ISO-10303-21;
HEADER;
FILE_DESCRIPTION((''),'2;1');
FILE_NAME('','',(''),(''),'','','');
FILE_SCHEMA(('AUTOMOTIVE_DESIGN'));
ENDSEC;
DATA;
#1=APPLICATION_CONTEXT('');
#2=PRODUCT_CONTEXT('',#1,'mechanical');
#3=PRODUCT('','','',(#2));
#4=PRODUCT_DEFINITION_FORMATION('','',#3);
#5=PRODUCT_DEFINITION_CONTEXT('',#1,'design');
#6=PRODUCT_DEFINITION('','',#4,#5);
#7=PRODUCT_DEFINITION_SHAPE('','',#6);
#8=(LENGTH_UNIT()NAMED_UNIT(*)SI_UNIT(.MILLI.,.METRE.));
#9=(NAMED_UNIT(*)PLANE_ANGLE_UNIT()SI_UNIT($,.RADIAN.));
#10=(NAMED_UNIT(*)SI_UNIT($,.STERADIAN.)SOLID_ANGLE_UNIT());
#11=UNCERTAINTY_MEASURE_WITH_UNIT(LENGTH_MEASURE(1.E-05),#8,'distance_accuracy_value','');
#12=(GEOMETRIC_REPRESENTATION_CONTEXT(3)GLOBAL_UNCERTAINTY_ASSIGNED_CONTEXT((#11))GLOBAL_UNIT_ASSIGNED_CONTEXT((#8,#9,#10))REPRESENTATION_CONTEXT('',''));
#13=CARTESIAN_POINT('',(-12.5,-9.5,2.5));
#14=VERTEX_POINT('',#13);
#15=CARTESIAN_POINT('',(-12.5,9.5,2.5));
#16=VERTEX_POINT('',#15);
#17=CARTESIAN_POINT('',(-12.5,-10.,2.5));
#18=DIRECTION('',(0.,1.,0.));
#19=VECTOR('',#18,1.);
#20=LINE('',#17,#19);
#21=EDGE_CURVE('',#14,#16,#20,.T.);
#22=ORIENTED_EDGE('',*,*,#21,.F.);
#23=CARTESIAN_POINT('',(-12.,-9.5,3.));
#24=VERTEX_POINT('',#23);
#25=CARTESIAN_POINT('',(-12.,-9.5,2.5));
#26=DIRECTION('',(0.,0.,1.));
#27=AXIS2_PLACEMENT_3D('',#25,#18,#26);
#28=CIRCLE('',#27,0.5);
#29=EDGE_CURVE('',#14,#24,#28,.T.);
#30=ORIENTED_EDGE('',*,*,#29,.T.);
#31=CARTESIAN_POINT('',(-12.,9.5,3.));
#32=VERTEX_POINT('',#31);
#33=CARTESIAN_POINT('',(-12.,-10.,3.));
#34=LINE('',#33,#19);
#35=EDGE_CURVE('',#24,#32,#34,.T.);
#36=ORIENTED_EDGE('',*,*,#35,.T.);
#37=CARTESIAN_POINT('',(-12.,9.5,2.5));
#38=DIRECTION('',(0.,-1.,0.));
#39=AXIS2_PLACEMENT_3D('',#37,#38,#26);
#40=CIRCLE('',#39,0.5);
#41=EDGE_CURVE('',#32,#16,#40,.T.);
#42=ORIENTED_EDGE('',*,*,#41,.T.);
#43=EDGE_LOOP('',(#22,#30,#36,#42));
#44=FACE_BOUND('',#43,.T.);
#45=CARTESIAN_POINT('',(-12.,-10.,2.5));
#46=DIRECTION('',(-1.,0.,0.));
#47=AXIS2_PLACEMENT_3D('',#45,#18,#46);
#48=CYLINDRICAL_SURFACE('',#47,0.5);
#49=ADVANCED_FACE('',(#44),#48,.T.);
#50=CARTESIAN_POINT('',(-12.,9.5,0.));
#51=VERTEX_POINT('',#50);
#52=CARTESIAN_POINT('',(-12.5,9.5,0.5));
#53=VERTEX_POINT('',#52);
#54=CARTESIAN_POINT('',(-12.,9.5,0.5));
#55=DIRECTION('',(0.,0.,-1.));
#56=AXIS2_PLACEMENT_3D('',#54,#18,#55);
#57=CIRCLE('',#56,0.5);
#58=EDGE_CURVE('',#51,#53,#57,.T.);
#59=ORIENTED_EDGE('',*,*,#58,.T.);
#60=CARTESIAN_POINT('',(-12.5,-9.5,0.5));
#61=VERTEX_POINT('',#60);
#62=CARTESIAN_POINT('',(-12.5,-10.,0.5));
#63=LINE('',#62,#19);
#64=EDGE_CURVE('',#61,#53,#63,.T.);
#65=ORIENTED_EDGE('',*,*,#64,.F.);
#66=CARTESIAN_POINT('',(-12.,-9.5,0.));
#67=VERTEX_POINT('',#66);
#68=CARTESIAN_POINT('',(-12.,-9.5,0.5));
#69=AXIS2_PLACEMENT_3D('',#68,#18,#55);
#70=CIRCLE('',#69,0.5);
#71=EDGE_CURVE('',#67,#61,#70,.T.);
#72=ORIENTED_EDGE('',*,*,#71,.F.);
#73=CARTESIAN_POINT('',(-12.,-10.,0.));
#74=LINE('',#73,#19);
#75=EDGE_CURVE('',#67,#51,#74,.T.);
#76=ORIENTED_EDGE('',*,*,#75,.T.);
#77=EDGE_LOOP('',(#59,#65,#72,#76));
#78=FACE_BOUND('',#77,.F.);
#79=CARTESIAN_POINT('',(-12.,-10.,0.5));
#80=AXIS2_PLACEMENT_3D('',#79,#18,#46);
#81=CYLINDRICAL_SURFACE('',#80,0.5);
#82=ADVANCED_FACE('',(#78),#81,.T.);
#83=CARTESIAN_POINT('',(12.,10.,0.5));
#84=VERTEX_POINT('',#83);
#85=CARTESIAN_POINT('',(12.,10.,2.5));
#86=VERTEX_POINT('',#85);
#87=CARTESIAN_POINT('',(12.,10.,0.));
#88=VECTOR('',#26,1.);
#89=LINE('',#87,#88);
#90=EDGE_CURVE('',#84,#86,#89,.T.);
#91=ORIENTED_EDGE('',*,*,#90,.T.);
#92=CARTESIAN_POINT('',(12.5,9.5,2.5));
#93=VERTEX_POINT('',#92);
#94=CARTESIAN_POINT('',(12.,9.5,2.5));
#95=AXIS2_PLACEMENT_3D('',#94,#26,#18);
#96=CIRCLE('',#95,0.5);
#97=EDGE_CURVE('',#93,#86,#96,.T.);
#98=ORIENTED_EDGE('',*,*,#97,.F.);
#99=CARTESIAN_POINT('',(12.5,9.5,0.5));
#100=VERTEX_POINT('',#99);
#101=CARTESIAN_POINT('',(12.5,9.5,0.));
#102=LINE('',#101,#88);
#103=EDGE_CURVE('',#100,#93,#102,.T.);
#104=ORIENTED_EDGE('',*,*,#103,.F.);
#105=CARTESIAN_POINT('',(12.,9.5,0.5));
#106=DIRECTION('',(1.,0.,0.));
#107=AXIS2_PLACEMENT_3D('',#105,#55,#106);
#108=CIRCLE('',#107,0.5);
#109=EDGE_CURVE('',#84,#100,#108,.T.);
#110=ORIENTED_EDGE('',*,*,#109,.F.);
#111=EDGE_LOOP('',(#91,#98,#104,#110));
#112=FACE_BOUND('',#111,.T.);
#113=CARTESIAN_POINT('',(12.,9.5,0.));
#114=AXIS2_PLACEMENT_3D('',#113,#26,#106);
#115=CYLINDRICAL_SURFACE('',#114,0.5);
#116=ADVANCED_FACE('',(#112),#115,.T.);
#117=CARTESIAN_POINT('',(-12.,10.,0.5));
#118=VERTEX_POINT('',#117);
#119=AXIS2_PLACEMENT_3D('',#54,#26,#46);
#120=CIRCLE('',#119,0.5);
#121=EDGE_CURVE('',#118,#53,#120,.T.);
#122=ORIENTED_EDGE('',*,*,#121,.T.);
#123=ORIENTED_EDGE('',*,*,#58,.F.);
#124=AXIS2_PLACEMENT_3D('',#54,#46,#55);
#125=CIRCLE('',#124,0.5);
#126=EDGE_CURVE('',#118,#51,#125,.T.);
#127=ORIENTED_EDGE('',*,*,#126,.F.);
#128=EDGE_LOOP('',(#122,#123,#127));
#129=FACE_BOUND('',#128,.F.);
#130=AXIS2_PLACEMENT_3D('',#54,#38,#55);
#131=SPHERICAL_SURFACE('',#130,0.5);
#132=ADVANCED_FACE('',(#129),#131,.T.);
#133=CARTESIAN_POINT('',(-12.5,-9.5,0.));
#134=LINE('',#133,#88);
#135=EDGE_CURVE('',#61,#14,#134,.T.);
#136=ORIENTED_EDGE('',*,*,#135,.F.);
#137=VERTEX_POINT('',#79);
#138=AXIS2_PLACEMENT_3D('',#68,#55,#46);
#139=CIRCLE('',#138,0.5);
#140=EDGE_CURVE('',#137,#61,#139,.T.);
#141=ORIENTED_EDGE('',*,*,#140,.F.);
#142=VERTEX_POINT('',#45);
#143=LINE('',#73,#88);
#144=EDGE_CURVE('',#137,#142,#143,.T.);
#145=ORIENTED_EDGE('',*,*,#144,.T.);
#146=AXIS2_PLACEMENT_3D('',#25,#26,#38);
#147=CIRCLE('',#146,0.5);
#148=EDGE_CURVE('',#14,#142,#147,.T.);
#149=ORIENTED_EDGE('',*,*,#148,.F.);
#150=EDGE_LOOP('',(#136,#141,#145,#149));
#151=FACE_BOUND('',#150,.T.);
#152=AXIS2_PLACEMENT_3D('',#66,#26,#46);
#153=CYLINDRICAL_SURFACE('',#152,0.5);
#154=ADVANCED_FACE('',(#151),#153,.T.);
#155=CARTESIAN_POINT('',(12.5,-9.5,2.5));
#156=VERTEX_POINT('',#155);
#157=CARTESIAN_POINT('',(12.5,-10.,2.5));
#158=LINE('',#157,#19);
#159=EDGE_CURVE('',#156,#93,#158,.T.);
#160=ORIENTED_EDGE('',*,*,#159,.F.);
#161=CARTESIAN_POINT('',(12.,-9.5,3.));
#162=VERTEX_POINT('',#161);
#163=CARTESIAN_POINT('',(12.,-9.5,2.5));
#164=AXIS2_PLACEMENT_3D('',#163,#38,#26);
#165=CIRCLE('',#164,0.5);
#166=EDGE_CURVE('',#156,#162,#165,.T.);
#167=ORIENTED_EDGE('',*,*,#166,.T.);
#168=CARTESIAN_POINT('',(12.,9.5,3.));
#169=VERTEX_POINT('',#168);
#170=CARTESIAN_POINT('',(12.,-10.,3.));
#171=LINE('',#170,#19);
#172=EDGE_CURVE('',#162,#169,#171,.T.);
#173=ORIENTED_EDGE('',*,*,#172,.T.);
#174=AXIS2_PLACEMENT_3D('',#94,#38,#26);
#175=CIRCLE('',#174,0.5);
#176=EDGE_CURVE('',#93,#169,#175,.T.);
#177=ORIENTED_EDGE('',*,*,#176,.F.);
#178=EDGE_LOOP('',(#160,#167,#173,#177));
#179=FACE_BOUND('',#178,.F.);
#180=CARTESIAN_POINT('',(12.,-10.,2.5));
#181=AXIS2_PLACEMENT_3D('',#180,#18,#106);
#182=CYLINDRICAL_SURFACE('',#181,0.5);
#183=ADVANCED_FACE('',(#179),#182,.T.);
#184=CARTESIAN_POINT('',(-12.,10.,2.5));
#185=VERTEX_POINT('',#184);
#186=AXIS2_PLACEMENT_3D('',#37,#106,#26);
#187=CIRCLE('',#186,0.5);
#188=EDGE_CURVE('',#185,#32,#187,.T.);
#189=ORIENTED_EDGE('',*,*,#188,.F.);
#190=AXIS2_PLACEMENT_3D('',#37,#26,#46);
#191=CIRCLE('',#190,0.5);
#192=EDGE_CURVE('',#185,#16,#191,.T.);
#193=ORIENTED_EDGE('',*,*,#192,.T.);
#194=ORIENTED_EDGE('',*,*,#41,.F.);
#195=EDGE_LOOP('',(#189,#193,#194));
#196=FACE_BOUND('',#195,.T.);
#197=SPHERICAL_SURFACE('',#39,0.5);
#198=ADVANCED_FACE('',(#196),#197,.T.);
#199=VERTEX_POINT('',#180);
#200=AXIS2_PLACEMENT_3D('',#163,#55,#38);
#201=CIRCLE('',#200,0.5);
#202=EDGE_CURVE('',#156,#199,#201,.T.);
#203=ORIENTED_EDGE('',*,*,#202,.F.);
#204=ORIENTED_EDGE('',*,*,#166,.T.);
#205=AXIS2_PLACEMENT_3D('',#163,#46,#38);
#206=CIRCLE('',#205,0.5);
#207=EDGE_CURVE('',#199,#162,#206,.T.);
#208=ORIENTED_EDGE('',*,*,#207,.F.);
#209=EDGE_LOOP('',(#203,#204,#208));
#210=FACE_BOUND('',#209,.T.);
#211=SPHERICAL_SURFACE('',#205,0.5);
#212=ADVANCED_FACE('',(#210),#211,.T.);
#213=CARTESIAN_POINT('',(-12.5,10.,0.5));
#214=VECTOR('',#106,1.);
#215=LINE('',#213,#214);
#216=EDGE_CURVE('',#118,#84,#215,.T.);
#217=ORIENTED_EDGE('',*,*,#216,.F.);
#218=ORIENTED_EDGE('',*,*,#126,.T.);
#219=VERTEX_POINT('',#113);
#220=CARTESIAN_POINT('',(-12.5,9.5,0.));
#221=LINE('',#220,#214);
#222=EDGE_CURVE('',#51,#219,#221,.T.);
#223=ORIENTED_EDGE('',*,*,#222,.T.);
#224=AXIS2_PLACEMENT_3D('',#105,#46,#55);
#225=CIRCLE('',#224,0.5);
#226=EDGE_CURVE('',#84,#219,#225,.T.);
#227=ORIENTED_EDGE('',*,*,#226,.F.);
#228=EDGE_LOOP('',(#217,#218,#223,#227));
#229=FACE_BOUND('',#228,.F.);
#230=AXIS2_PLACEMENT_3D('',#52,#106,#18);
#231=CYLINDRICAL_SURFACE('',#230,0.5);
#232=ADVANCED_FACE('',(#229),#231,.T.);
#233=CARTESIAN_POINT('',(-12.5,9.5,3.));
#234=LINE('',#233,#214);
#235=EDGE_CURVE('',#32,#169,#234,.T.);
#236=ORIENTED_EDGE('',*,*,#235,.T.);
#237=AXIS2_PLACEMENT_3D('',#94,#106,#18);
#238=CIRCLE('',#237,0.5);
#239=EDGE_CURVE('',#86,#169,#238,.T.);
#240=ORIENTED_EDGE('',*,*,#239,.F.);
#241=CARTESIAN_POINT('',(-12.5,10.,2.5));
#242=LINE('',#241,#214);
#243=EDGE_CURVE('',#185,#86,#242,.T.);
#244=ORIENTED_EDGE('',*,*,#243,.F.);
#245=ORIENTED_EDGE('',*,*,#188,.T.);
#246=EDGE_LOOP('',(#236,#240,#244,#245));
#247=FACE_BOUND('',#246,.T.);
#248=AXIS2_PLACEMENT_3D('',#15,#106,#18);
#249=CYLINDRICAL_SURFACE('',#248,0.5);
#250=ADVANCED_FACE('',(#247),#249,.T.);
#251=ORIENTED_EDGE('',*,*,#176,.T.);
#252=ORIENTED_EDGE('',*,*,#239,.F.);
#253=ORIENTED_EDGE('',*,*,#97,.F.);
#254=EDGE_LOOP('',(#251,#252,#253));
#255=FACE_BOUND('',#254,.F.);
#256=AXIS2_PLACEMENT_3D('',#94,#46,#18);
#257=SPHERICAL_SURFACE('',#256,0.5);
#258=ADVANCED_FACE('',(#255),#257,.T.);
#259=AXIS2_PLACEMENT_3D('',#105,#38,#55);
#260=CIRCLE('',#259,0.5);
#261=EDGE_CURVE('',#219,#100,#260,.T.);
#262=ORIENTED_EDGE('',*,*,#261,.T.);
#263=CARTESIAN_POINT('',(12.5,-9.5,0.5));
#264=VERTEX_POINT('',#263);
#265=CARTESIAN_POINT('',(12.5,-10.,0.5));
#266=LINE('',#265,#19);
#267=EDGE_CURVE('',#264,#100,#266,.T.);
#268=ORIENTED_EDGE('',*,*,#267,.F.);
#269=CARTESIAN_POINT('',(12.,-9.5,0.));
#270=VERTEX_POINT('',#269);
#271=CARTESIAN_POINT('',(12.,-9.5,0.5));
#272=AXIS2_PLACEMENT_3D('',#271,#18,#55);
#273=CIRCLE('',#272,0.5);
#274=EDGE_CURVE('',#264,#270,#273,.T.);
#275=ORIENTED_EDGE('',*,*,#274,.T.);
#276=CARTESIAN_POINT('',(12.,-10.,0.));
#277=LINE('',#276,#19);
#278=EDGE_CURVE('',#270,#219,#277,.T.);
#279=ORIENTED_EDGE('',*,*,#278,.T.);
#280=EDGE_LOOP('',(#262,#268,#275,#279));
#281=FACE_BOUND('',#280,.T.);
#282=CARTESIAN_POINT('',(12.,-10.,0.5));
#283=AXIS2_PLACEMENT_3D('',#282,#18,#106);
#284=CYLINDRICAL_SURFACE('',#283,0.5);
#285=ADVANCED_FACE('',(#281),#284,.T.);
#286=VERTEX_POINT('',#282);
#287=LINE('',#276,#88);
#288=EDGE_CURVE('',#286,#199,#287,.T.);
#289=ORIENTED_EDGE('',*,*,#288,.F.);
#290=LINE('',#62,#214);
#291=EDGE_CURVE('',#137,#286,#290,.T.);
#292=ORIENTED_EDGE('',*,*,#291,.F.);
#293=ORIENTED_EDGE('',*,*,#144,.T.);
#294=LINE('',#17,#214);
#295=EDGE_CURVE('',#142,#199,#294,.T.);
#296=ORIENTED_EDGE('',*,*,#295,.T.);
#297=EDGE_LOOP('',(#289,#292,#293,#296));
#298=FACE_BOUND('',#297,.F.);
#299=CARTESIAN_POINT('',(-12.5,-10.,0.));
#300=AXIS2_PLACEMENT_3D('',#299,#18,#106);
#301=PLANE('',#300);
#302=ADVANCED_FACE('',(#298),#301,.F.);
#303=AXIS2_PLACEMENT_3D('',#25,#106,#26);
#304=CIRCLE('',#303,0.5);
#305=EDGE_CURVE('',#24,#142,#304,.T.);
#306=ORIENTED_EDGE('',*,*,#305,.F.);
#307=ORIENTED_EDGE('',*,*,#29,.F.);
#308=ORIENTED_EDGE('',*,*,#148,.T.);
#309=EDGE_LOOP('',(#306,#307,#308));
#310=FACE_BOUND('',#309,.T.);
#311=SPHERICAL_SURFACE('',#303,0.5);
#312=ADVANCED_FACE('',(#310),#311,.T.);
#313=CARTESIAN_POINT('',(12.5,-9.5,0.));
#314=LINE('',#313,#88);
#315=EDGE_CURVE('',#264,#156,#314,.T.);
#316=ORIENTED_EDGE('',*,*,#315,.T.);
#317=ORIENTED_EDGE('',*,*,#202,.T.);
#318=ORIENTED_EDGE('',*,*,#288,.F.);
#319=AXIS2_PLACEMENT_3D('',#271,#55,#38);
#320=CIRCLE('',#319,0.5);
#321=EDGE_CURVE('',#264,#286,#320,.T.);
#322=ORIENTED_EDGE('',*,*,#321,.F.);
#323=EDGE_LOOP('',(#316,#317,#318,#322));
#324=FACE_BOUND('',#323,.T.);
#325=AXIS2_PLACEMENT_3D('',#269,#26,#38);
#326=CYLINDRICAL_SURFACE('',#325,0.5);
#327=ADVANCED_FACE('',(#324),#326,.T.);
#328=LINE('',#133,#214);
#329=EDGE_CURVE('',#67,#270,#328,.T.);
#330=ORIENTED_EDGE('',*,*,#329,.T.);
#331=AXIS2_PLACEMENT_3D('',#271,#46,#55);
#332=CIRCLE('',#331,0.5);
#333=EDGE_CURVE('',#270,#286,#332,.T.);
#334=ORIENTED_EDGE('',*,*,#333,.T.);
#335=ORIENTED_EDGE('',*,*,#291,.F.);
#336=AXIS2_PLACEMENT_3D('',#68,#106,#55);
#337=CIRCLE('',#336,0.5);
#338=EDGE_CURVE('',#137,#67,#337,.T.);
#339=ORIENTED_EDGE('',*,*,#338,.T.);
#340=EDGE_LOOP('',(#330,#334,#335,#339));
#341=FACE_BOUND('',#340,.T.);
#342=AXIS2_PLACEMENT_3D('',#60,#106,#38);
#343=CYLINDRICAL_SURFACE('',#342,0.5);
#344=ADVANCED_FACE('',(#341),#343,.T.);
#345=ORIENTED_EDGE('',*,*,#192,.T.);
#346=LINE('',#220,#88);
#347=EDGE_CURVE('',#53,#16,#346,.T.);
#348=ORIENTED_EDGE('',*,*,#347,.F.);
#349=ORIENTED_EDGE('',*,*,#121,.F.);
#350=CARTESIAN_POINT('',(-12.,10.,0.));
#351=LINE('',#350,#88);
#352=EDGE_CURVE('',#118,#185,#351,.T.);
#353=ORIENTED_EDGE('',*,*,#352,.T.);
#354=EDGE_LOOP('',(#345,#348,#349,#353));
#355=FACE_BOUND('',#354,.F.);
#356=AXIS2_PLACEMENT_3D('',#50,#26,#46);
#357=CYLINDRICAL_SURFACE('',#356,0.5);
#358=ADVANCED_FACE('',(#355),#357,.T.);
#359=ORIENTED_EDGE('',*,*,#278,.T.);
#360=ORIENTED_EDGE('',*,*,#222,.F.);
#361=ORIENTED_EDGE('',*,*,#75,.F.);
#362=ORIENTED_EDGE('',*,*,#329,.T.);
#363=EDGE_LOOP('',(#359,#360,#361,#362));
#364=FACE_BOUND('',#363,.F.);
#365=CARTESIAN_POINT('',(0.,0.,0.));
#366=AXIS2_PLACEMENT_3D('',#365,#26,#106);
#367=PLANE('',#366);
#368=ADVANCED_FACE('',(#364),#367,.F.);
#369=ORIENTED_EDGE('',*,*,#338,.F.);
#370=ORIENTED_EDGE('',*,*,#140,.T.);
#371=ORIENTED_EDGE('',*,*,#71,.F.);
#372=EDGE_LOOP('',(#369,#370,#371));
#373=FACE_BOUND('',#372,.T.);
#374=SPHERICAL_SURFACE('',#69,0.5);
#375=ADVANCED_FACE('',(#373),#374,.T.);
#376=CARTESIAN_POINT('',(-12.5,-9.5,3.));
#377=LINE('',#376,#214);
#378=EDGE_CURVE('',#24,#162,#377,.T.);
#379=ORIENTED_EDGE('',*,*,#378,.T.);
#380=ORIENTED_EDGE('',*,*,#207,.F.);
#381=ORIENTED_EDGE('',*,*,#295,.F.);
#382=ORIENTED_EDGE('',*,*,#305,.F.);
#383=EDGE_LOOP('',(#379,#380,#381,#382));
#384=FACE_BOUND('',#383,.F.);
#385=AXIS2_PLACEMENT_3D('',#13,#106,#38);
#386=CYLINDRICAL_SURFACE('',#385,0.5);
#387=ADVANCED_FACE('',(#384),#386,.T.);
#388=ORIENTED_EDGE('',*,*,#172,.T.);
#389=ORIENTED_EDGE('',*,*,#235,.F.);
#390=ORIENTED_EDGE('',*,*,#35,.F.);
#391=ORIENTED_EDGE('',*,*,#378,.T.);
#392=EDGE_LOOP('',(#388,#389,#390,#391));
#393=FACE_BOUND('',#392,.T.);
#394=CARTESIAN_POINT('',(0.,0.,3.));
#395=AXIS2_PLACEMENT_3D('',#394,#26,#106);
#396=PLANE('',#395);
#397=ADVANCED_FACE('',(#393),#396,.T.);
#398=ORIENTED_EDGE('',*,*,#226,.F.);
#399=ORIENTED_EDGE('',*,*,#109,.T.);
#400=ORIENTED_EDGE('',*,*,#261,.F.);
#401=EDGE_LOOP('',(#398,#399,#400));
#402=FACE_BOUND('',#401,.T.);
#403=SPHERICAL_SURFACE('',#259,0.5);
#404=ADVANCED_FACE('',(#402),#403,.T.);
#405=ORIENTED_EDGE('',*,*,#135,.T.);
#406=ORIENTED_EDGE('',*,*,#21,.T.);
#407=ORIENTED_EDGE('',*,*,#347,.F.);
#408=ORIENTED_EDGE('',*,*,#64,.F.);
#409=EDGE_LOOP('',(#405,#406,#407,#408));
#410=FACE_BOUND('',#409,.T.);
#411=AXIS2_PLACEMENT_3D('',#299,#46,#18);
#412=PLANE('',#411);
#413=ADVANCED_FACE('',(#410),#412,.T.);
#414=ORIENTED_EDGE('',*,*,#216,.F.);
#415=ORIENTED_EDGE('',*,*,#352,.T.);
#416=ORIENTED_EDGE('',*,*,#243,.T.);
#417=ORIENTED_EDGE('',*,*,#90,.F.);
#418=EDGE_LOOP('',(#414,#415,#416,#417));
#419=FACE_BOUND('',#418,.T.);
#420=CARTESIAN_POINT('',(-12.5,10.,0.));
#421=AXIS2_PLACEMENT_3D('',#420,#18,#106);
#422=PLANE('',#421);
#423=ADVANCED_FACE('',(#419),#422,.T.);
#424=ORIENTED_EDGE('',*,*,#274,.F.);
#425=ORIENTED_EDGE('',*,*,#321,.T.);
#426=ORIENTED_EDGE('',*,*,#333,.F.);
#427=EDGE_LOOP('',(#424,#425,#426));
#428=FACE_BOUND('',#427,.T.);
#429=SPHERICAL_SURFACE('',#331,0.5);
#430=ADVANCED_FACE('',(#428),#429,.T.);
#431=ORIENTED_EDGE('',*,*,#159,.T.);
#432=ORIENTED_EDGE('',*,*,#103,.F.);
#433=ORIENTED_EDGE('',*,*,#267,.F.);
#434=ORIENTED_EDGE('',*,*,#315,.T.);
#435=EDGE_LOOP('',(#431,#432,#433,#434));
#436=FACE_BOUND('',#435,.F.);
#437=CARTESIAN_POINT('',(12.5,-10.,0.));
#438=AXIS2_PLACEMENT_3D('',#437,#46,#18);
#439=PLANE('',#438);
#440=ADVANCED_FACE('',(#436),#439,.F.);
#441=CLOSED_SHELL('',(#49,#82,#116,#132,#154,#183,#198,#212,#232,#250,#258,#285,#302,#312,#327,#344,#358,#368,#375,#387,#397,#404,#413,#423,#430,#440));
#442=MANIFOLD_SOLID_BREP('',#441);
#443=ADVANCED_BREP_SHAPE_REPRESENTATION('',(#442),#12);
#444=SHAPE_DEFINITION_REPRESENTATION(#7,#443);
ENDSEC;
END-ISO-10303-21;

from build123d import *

# Parameters (mm, degrees)
SCHIZZO1_W                   = 25
SCHIZZO1_H                   = 20
ESTRUSIONE_ESTRUSIONE1_DEPTH = 3
RACCORDO1_R                  = 0.5


with BuildPart() as part:
    # Schizzo1 → Estrusione-Estrusione1 (new body)
    with BuildSketch(Plane.XY):
        Rectangle(SCHIZZO1_W, SCHIZZO1_H)
    extrude(amount=ESTRUSIONE_ESTRUSIONE1_DEPTH)

    # Raccordo1
    raccordo1_edges = [part.edges().sort_by_distance(p)[0] for p in [
        (0, -10, 3),
        (-12.5, 0, 3),
        (0, 10, 3),
        (-12.5, 0, 0),
        (0, -10, 0),
        (12.5, 0, 0),
        (0, 10, 0),
        (-12.5, 10, 1.5),
        (-12.5, -10, 1.5),
        (12.5, -10, 1.5),
        (12.5, 10, 1.5),
        (12.5, 0, 3),
    ]]
    fillet(raccordo1_edges, radius=RACCORDO1_R)


solid = part.part
